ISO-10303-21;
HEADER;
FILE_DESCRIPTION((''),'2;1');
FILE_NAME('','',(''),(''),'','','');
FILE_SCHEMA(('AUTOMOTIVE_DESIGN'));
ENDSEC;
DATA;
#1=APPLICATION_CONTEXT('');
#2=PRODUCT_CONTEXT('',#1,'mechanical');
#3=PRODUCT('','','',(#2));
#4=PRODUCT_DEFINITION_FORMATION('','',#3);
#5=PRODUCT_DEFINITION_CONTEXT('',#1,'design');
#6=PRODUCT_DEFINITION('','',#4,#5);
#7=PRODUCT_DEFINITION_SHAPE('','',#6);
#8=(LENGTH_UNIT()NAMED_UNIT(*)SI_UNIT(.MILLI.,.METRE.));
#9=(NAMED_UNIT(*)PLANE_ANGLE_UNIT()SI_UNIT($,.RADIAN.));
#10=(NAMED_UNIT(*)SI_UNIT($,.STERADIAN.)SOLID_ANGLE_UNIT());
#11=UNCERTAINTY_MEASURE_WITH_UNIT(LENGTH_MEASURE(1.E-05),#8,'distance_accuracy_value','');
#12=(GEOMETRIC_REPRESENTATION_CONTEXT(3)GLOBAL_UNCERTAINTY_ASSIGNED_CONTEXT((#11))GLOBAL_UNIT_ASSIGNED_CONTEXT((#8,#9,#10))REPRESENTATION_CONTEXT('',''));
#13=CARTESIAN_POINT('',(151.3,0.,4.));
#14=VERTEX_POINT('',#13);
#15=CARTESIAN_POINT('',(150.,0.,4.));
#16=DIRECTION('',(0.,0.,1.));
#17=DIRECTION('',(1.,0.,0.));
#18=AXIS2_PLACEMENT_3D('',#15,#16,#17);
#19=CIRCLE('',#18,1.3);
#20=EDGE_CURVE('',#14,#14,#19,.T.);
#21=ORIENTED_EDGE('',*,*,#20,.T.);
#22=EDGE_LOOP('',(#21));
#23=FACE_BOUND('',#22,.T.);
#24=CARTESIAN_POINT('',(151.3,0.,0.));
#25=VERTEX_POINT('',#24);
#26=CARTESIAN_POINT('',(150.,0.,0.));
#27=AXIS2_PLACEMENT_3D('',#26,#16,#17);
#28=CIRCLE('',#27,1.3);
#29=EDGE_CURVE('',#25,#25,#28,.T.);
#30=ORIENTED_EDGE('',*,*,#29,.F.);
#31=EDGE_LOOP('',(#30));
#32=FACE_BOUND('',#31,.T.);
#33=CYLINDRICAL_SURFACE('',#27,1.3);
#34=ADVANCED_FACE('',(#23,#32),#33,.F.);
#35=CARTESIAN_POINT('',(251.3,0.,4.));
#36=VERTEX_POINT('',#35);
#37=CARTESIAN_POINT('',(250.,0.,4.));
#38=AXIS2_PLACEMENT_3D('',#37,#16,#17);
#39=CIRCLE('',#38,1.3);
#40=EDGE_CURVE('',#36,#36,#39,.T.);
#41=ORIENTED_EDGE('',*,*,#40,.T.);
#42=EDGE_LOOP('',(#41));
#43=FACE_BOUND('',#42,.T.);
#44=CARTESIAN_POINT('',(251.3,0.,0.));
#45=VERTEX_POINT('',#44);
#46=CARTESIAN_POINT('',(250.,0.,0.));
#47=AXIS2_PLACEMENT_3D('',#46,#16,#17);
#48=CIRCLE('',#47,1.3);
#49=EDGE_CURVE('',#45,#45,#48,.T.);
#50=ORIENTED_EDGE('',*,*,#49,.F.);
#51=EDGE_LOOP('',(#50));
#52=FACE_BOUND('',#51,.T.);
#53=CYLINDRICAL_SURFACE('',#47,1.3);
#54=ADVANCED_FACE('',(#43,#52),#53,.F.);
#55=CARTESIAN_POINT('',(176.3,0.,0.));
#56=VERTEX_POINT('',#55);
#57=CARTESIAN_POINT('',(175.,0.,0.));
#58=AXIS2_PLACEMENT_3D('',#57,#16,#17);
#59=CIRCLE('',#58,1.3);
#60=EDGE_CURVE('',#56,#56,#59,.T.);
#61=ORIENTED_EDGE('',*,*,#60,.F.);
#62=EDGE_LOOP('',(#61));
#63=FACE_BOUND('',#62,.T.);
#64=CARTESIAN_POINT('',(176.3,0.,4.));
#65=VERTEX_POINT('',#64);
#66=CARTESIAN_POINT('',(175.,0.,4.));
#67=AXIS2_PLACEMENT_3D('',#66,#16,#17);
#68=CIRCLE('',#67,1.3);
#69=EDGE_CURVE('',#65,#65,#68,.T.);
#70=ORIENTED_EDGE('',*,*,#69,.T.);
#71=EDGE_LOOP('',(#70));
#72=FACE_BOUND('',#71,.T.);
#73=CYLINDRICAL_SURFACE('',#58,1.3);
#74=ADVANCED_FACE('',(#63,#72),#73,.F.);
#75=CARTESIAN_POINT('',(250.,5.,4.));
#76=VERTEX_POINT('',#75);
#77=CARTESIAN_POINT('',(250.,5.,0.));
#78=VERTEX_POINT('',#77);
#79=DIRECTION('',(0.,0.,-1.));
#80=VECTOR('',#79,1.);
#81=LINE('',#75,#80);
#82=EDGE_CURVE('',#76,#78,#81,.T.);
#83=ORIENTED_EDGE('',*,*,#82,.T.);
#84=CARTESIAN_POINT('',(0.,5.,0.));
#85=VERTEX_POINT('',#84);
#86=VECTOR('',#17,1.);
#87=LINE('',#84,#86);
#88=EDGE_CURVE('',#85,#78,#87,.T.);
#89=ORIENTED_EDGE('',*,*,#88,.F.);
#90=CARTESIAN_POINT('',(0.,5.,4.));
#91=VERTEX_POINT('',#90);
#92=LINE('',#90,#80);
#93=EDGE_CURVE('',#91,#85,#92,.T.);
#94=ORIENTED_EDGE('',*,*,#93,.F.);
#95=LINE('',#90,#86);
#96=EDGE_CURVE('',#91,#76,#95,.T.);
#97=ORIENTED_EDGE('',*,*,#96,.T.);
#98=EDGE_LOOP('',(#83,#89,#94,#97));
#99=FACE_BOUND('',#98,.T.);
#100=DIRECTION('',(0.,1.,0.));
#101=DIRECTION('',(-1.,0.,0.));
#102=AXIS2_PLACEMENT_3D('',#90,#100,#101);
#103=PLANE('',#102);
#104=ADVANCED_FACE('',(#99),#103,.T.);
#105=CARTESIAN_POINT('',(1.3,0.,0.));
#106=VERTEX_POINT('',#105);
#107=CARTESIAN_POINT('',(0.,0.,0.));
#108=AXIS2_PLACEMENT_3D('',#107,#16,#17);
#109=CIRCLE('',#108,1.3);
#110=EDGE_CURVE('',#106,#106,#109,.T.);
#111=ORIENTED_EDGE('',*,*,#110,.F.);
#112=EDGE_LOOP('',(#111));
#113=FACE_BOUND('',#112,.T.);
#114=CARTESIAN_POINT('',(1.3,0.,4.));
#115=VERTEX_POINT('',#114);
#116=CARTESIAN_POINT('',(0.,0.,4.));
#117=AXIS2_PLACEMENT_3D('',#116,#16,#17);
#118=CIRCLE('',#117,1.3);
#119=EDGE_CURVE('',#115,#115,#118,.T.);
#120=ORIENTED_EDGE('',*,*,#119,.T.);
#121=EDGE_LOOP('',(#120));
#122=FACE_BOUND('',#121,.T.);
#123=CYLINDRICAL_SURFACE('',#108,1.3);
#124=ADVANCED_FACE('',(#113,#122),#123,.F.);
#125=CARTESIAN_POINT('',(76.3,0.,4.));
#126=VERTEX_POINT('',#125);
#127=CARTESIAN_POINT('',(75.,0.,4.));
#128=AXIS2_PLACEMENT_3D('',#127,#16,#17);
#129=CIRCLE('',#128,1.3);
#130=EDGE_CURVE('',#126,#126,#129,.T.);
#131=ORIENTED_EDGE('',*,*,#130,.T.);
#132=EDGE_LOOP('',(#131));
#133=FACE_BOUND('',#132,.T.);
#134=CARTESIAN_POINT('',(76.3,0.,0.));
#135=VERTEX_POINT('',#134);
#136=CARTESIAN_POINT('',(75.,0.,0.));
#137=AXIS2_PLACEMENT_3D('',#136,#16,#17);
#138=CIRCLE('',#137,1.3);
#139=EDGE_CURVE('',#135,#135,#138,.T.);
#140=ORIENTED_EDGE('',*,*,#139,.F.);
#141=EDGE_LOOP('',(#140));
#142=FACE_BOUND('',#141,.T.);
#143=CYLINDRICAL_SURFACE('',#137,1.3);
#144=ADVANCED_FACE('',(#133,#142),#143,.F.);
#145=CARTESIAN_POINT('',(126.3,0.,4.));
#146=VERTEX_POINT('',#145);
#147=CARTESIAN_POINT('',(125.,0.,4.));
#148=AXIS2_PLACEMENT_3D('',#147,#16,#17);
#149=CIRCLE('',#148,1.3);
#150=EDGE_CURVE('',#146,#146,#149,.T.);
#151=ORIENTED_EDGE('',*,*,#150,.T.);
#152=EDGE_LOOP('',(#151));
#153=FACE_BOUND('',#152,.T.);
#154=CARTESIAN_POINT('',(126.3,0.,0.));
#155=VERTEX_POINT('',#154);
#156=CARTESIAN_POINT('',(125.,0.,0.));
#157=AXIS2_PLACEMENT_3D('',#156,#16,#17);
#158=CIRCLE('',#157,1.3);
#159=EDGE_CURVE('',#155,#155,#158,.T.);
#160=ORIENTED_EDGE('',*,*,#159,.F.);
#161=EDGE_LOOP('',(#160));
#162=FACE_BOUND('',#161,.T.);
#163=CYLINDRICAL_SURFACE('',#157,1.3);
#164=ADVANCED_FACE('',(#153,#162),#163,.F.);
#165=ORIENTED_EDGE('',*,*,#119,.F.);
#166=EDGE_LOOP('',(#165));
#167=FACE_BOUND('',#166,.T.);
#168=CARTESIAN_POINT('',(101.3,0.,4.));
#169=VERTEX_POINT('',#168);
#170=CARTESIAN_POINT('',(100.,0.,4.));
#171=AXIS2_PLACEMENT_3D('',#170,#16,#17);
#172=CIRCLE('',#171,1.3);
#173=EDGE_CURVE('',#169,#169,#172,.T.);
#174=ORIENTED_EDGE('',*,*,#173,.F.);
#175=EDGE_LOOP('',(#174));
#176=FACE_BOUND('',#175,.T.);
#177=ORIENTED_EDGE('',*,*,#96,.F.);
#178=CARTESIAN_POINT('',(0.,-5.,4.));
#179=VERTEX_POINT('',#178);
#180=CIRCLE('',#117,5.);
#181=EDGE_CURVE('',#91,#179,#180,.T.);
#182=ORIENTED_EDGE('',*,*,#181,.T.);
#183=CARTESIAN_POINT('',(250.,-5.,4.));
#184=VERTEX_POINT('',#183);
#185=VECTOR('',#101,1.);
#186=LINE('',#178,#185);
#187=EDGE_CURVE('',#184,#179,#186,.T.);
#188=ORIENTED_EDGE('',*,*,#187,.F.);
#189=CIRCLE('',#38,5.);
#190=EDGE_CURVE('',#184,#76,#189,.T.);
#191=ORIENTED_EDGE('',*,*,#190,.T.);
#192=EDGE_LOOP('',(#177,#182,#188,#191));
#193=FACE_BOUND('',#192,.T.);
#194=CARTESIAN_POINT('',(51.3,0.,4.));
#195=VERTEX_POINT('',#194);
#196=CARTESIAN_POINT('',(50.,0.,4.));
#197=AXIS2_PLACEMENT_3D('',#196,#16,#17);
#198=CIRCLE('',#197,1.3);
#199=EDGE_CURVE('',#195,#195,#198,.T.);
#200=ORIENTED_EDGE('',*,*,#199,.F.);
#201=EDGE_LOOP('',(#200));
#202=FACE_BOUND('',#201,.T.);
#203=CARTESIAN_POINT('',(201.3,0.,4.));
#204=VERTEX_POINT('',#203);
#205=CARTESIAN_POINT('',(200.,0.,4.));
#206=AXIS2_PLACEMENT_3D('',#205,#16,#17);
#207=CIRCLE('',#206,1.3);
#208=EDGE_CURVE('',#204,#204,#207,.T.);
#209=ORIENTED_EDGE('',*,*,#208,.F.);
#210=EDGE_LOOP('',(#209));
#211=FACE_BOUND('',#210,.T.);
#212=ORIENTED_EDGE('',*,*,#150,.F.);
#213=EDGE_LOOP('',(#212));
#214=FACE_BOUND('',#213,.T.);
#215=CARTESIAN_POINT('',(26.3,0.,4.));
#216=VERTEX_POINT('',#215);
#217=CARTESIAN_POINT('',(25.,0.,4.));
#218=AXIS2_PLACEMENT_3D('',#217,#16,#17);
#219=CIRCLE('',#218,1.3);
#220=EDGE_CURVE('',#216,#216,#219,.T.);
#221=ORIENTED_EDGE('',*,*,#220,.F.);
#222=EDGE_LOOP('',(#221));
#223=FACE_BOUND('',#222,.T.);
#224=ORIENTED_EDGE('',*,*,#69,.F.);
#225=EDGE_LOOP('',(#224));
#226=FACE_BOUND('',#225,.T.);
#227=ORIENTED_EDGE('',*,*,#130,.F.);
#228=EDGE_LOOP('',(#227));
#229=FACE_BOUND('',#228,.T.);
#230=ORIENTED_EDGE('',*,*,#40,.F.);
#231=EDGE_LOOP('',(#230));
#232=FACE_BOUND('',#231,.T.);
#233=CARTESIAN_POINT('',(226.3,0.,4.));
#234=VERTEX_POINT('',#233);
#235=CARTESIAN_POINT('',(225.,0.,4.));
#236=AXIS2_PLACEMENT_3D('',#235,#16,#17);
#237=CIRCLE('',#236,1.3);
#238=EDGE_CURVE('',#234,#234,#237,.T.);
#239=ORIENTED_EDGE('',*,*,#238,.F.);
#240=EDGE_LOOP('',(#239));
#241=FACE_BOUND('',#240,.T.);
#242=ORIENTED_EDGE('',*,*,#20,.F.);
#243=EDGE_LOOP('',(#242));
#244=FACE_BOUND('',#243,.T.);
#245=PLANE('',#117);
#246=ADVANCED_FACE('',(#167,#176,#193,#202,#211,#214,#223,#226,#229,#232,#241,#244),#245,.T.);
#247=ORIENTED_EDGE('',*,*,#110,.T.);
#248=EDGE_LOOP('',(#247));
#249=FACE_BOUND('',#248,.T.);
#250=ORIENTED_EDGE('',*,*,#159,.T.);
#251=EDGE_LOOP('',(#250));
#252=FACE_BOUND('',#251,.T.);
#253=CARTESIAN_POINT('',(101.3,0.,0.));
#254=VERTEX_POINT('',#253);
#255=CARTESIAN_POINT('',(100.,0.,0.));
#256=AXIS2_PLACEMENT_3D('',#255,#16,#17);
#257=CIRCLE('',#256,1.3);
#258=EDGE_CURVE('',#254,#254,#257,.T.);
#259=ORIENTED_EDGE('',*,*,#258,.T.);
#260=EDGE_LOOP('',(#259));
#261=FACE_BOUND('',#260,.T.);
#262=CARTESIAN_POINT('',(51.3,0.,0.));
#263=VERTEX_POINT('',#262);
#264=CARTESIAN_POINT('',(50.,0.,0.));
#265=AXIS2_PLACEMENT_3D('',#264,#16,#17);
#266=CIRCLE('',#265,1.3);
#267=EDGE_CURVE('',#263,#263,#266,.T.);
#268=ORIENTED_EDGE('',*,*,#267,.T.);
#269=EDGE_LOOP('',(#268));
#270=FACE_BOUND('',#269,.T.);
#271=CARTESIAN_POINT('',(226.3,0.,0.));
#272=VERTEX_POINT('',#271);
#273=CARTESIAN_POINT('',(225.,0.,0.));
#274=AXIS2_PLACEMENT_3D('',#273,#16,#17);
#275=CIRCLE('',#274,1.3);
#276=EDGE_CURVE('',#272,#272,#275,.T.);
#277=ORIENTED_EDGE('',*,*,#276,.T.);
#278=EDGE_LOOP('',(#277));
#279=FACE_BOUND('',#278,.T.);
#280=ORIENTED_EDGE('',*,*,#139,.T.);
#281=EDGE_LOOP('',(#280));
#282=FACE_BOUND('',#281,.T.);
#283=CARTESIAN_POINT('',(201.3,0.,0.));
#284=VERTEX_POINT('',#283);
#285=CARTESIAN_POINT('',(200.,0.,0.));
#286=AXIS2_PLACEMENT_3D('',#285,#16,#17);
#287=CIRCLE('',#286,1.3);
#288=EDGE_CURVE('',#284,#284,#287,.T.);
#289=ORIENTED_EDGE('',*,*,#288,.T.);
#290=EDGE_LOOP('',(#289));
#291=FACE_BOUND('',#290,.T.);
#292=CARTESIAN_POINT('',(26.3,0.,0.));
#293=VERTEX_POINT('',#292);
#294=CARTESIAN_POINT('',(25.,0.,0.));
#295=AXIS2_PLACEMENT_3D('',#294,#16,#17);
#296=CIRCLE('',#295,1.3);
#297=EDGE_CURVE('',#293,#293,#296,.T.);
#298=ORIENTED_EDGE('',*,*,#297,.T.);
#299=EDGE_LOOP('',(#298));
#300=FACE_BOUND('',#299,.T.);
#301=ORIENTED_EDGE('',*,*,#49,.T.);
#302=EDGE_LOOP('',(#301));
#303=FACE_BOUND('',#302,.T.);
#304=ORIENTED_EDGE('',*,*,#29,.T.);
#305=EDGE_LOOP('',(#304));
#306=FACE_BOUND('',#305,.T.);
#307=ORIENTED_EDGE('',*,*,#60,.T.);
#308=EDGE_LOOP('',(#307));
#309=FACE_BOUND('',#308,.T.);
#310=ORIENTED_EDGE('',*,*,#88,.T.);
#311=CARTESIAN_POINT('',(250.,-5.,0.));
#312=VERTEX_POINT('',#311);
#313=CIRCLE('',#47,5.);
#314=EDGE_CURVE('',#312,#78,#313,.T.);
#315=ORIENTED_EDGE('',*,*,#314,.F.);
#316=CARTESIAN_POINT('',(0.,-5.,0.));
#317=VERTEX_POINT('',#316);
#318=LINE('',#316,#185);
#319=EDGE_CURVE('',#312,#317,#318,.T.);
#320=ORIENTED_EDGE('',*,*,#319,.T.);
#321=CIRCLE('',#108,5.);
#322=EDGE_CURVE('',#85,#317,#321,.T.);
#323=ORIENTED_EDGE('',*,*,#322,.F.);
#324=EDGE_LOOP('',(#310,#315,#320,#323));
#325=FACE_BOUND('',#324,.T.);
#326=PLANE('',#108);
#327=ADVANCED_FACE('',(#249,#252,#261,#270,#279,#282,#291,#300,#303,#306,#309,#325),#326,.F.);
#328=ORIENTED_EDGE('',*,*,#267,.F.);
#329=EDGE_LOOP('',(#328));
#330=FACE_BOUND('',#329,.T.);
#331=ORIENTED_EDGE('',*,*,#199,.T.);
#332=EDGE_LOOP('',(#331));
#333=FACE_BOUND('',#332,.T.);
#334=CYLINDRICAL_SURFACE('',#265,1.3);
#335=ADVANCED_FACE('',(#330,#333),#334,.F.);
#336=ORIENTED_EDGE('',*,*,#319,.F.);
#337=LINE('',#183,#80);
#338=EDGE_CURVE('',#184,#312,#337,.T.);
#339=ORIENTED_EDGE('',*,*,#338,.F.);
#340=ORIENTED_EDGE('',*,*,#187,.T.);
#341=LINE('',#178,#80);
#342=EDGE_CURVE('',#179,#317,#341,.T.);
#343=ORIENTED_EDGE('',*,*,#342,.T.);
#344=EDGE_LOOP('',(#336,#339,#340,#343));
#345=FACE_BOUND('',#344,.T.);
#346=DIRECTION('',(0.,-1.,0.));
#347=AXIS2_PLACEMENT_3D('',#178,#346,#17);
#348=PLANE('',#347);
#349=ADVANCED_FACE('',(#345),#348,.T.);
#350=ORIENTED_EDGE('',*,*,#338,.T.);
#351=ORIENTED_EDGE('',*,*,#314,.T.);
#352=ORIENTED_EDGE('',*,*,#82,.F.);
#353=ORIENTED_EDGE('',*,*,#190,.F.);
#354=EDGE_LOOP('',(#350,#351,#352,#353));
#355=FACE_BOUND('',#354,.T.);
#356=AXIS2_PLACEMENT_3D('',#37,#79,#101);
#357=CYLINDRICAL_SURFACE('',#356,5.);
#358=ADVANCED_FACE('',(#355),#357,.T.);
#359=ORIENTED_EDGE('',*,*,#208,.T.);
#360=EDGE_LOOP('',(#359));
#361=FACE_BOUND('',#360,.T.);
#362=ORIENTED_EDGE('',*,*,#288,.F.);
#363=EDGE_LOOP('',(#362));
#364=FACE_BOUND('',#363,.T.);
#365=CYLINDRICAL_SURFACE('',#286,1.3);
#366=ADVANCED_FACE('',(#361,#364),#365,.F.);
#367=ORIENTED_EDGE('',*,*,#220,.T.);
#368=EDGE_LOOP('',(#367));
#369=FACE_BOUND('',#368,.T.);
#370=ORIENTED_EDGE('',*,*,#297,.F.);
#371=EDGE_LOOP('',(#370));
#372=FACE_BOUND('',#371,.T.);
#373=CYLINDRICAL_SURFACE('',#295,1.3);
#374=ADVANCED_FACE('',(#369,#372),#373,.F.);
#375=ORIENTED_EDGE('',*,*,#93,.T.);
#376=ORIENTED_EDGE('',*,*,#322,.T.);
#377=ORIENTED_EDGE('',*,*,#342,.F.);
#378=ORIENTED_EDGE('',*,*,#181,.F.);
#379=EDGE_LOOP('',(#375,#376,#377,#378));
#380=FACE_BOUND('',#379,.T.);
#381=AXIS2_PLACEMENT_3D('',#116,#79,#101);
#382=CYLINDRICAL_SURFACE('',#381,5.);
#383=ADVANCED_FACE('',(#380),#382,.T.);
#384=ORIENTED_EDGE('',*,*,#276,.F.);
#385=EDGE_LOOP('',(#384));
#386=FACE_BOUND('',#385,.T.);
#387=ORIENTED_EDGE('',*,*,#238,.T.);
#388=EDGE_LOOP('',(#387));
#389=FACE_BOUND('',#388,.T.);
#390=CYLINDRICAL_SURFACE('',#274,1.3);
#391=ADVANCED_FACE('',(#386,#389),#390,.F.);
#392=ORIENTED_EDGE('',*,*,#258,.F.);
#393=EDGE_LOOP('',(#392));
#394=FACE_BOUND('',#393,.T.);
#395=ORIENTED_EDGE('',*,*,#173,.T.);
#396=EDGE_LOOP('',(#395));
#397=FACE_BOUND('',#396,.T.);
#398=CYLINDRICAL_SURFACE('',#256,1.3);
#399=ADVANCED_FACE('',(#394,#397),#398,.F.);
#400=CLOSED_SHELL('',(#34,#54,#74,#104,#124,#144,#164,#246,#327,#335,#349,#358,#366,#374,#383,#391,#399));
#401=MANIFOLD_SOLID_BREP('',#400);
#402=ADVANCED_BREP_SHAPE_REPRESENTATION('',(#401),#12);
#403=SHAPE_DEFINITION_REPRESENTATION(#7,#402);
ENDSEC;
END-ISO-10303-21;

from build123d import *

# Parameters (mm, degrees)
SKETCH1_R           = 5
BOSS_EXTRUDE1_DEPTH = 4
SKETCH2_R           = 1.3
CUT_EXTRUDE1_DEPTH  = 256.080379489
LPATTERN1_COUNT     = 10
LPATTERN1_PITCH     = 25


with BuildPart() as part:
    # Sketch1 → Boss-Extrude1 (new body)
    with BuildSketch(Plane.XY):
        with BuildLine():
            Line((250, 5), (0, 5))
            ThreePointArc((0, 5), (3.535533906, 3.535533906), (5, 0))
            ThreePointArc((5, 0), (3.535533906, -3.535533906), (0, -5))
            Line((0, -5), (250, -5))
            ThreePointArc((250, -5), (245, 0), (250, 5))
        make_face()
        with Locations((250, 0)):
            Circle(SKETCH1_R)
        Circle(SKETCH1_R)
    extrude(amount=BOSS_EXTRUDE1_DEPTH)

    # Sketch2 → Cut-Extrude1 (cut, through all)
    with BuildSketch(Plane.XY.offset(4)):
        Circle(SKETCH2_R)
        with Locations((250, 0)):
            Circle(SKETCH2_R)
    cut_extrude1 = extrude(amount=-CUT_EXTRUDE1_DEPTH, mode=Mode.SUBTRACT)

    # LPattern1: Cut-Extrude1 ×10
    with Locations(*[(i * LPATTERN1_PITCH, 0, 0) for i in range(1, LPATTERN1_COUNT)]):
        add(cut_extrude1, mode=Mode.SUBTRACT)


solid = part.part
